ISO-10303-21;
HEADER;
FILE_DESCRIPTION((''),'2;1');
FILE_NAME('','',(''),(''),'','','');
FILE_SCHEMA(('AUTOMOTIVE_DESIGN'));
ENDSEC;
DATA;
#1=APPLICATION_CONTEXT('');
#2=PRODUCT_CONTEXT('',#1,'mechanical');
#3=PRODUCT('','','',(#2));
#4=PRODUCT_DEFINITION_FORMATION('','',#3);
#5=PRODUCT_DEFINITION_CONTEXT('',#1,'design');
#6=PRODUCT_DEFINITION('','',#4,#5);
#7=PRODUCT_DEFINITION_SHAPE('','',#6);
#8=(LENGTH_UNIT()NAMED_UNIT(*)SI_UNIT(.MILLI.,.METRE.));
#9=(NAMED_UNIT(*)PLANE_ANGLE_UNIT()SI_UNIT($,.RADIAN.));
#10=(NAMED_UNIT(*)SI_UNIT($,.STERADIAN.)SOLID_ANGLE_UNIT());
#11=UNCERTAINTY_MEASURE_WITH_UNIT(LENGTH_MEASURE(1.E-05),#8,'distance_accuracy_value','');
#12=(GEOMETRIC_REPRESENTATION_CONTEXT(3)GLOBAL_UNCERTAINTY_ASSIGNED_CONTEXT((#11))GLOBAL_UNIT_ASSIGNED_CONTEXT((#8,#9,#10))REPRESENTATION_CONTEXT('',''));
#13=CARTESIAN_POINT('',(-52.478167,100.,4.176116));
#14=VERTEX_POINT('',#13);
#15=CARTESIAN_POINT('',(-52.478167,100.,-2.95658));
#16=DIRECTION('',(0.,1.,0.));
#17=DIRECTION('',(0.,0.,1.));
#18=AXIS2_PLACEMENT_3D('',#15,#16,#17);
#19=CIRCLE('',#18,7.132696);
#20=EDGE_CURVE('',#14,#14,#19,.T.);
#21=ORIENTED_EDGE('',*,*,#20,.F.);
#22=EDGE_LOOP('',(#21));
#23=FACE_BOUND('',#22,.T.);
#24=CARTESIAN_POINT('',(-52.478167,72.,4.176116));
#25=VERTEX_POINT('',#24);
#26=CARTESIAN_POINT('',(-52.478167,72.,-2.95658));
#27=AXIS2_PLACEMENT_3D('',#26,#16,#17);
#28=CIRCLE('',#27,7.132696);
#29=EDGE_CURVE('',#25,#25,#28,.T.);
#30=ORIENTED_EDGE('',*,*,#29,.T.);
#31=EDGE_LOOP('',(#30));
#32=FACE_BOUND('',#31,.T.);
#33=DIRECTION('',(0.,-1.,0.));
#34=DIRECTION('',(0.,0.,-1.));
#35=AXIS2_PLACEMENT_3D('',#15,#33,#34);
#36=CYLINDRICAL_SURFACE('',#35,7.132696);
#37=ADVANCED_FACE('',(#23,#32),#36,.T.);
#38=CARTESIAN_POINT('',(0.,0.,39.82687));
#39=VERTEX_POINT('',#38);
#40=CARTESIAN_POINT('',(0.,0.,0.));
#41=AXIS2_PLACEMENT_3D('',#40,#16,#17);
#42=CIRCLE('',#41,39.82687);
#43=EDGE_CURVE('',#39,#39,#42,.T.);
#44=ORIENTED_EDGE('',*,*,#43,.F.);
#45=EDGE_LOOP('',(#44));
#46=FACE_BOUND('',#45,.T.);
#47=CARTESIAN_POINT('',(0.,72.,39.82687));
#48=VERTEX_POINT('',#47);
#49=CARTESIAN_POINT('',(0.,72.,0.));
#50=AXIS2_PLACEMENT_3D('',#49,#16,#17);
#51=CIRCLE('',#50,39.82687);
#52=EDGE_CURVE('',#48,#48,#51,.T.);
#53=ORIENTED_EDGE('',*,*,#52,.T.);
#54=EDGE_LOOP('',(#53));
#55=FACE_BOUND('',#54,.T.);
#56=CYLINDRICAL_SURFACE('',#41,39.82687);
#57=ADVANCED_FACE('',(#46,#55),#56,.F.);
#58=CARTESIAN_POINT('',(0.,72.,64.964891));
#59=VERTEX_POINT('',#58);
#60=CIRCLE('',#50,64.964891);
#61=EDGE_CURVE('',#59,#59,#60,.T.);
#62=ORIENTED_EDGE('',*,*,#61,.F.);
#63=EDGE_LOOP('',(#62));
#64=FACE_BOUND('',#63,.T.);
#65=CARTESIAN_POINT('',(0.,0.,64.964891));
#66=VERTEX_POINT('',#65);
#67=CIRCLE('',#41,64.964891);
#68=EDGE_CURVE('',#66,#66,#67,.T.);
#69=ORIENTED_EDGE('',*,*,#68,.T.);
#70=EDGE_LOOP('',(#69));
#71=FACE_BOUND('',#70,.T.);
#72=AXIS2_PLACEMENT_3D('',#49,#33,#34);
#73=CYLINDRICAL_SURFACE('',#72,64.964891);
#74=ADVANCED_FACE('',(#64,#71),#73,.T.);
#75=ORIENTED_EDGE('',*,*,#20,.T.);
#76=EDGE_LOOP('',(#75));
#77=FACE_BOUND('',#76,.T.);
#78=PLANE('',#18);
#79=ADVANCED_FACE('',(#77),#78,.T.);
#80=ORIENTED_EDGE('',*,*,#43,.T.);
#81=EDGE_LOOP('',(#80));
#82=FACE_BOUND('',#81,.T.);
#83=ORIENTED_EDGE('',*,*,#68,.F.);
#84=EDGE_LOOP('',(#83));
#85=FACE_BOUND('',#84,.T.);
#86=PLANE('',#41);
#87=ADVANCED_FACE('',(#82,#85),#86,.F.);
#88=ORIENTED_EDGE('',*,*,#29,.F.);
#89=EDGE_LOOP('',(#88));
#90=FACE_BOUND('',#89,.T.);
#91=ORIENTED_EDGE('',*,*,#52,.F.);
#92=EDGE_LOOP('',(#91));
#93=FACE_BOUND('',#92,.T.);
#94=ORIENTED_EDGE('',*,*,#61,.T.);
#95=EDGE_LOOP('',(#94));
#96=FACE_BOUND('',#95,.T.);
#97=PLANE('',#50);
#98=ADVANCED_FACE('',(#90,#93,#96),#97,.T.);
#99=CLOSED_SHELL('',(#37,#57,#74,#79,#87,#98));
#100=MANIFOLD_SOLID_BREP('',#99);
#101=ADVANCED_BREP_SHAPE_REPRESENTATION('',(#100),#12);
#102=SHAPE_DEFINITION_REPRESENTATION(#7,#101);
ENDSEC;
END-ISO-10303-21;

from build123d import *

# Parameters (mm, degrees)
SKETCH1_R           = 64.964891119
BOSS_EXTRUDE1_DEPTH = 72
SKETCH2_R           = 39.826869817
CUT_EXTRUDE1_DEPTH  = 72
SKETCH3_R           = 7.132695563
BOSS_EXTRUDE2_DEPTH = 28


with BuildPart() as part:
    # Sketch1 → Boss-Extrude1 (new body)
    with BuildSketch(Plane(origin=(0, 0, 0), x_dir=(1, 0, 0), z_dir=(0, 1, 0))):
        Circle(SKETCH1_R)
    extrude(amount=BOSS_EXTRUDE1_DEPTH)

    # Sketch2 → Cut-Extrude1 (cut)
    with BuildSketch(Plane(origin=(0, 72, 0), x_dir=(1, 0, 0), z_dir=(0, 1, 0))):
        Circle(SKETCH2_R)
    extrude(amount=-CUT_EXTRUDE1_DEPTH, mode=Mode.SUBTRACT)

    # Sketch3 → Boss-Extrude2 (add)
    with BuildSketch(Plane(origin=(0, 72, 0), x_dir=(1, 0, 0), z_dir=(0, 1, 0))):
        with Locations((-52.478167306, 2.956579855)):
            Circle(SKETCH3_R)
    extrude(amount=BOSS_EXTRUDE2_DEPTH)


solid = part.part
